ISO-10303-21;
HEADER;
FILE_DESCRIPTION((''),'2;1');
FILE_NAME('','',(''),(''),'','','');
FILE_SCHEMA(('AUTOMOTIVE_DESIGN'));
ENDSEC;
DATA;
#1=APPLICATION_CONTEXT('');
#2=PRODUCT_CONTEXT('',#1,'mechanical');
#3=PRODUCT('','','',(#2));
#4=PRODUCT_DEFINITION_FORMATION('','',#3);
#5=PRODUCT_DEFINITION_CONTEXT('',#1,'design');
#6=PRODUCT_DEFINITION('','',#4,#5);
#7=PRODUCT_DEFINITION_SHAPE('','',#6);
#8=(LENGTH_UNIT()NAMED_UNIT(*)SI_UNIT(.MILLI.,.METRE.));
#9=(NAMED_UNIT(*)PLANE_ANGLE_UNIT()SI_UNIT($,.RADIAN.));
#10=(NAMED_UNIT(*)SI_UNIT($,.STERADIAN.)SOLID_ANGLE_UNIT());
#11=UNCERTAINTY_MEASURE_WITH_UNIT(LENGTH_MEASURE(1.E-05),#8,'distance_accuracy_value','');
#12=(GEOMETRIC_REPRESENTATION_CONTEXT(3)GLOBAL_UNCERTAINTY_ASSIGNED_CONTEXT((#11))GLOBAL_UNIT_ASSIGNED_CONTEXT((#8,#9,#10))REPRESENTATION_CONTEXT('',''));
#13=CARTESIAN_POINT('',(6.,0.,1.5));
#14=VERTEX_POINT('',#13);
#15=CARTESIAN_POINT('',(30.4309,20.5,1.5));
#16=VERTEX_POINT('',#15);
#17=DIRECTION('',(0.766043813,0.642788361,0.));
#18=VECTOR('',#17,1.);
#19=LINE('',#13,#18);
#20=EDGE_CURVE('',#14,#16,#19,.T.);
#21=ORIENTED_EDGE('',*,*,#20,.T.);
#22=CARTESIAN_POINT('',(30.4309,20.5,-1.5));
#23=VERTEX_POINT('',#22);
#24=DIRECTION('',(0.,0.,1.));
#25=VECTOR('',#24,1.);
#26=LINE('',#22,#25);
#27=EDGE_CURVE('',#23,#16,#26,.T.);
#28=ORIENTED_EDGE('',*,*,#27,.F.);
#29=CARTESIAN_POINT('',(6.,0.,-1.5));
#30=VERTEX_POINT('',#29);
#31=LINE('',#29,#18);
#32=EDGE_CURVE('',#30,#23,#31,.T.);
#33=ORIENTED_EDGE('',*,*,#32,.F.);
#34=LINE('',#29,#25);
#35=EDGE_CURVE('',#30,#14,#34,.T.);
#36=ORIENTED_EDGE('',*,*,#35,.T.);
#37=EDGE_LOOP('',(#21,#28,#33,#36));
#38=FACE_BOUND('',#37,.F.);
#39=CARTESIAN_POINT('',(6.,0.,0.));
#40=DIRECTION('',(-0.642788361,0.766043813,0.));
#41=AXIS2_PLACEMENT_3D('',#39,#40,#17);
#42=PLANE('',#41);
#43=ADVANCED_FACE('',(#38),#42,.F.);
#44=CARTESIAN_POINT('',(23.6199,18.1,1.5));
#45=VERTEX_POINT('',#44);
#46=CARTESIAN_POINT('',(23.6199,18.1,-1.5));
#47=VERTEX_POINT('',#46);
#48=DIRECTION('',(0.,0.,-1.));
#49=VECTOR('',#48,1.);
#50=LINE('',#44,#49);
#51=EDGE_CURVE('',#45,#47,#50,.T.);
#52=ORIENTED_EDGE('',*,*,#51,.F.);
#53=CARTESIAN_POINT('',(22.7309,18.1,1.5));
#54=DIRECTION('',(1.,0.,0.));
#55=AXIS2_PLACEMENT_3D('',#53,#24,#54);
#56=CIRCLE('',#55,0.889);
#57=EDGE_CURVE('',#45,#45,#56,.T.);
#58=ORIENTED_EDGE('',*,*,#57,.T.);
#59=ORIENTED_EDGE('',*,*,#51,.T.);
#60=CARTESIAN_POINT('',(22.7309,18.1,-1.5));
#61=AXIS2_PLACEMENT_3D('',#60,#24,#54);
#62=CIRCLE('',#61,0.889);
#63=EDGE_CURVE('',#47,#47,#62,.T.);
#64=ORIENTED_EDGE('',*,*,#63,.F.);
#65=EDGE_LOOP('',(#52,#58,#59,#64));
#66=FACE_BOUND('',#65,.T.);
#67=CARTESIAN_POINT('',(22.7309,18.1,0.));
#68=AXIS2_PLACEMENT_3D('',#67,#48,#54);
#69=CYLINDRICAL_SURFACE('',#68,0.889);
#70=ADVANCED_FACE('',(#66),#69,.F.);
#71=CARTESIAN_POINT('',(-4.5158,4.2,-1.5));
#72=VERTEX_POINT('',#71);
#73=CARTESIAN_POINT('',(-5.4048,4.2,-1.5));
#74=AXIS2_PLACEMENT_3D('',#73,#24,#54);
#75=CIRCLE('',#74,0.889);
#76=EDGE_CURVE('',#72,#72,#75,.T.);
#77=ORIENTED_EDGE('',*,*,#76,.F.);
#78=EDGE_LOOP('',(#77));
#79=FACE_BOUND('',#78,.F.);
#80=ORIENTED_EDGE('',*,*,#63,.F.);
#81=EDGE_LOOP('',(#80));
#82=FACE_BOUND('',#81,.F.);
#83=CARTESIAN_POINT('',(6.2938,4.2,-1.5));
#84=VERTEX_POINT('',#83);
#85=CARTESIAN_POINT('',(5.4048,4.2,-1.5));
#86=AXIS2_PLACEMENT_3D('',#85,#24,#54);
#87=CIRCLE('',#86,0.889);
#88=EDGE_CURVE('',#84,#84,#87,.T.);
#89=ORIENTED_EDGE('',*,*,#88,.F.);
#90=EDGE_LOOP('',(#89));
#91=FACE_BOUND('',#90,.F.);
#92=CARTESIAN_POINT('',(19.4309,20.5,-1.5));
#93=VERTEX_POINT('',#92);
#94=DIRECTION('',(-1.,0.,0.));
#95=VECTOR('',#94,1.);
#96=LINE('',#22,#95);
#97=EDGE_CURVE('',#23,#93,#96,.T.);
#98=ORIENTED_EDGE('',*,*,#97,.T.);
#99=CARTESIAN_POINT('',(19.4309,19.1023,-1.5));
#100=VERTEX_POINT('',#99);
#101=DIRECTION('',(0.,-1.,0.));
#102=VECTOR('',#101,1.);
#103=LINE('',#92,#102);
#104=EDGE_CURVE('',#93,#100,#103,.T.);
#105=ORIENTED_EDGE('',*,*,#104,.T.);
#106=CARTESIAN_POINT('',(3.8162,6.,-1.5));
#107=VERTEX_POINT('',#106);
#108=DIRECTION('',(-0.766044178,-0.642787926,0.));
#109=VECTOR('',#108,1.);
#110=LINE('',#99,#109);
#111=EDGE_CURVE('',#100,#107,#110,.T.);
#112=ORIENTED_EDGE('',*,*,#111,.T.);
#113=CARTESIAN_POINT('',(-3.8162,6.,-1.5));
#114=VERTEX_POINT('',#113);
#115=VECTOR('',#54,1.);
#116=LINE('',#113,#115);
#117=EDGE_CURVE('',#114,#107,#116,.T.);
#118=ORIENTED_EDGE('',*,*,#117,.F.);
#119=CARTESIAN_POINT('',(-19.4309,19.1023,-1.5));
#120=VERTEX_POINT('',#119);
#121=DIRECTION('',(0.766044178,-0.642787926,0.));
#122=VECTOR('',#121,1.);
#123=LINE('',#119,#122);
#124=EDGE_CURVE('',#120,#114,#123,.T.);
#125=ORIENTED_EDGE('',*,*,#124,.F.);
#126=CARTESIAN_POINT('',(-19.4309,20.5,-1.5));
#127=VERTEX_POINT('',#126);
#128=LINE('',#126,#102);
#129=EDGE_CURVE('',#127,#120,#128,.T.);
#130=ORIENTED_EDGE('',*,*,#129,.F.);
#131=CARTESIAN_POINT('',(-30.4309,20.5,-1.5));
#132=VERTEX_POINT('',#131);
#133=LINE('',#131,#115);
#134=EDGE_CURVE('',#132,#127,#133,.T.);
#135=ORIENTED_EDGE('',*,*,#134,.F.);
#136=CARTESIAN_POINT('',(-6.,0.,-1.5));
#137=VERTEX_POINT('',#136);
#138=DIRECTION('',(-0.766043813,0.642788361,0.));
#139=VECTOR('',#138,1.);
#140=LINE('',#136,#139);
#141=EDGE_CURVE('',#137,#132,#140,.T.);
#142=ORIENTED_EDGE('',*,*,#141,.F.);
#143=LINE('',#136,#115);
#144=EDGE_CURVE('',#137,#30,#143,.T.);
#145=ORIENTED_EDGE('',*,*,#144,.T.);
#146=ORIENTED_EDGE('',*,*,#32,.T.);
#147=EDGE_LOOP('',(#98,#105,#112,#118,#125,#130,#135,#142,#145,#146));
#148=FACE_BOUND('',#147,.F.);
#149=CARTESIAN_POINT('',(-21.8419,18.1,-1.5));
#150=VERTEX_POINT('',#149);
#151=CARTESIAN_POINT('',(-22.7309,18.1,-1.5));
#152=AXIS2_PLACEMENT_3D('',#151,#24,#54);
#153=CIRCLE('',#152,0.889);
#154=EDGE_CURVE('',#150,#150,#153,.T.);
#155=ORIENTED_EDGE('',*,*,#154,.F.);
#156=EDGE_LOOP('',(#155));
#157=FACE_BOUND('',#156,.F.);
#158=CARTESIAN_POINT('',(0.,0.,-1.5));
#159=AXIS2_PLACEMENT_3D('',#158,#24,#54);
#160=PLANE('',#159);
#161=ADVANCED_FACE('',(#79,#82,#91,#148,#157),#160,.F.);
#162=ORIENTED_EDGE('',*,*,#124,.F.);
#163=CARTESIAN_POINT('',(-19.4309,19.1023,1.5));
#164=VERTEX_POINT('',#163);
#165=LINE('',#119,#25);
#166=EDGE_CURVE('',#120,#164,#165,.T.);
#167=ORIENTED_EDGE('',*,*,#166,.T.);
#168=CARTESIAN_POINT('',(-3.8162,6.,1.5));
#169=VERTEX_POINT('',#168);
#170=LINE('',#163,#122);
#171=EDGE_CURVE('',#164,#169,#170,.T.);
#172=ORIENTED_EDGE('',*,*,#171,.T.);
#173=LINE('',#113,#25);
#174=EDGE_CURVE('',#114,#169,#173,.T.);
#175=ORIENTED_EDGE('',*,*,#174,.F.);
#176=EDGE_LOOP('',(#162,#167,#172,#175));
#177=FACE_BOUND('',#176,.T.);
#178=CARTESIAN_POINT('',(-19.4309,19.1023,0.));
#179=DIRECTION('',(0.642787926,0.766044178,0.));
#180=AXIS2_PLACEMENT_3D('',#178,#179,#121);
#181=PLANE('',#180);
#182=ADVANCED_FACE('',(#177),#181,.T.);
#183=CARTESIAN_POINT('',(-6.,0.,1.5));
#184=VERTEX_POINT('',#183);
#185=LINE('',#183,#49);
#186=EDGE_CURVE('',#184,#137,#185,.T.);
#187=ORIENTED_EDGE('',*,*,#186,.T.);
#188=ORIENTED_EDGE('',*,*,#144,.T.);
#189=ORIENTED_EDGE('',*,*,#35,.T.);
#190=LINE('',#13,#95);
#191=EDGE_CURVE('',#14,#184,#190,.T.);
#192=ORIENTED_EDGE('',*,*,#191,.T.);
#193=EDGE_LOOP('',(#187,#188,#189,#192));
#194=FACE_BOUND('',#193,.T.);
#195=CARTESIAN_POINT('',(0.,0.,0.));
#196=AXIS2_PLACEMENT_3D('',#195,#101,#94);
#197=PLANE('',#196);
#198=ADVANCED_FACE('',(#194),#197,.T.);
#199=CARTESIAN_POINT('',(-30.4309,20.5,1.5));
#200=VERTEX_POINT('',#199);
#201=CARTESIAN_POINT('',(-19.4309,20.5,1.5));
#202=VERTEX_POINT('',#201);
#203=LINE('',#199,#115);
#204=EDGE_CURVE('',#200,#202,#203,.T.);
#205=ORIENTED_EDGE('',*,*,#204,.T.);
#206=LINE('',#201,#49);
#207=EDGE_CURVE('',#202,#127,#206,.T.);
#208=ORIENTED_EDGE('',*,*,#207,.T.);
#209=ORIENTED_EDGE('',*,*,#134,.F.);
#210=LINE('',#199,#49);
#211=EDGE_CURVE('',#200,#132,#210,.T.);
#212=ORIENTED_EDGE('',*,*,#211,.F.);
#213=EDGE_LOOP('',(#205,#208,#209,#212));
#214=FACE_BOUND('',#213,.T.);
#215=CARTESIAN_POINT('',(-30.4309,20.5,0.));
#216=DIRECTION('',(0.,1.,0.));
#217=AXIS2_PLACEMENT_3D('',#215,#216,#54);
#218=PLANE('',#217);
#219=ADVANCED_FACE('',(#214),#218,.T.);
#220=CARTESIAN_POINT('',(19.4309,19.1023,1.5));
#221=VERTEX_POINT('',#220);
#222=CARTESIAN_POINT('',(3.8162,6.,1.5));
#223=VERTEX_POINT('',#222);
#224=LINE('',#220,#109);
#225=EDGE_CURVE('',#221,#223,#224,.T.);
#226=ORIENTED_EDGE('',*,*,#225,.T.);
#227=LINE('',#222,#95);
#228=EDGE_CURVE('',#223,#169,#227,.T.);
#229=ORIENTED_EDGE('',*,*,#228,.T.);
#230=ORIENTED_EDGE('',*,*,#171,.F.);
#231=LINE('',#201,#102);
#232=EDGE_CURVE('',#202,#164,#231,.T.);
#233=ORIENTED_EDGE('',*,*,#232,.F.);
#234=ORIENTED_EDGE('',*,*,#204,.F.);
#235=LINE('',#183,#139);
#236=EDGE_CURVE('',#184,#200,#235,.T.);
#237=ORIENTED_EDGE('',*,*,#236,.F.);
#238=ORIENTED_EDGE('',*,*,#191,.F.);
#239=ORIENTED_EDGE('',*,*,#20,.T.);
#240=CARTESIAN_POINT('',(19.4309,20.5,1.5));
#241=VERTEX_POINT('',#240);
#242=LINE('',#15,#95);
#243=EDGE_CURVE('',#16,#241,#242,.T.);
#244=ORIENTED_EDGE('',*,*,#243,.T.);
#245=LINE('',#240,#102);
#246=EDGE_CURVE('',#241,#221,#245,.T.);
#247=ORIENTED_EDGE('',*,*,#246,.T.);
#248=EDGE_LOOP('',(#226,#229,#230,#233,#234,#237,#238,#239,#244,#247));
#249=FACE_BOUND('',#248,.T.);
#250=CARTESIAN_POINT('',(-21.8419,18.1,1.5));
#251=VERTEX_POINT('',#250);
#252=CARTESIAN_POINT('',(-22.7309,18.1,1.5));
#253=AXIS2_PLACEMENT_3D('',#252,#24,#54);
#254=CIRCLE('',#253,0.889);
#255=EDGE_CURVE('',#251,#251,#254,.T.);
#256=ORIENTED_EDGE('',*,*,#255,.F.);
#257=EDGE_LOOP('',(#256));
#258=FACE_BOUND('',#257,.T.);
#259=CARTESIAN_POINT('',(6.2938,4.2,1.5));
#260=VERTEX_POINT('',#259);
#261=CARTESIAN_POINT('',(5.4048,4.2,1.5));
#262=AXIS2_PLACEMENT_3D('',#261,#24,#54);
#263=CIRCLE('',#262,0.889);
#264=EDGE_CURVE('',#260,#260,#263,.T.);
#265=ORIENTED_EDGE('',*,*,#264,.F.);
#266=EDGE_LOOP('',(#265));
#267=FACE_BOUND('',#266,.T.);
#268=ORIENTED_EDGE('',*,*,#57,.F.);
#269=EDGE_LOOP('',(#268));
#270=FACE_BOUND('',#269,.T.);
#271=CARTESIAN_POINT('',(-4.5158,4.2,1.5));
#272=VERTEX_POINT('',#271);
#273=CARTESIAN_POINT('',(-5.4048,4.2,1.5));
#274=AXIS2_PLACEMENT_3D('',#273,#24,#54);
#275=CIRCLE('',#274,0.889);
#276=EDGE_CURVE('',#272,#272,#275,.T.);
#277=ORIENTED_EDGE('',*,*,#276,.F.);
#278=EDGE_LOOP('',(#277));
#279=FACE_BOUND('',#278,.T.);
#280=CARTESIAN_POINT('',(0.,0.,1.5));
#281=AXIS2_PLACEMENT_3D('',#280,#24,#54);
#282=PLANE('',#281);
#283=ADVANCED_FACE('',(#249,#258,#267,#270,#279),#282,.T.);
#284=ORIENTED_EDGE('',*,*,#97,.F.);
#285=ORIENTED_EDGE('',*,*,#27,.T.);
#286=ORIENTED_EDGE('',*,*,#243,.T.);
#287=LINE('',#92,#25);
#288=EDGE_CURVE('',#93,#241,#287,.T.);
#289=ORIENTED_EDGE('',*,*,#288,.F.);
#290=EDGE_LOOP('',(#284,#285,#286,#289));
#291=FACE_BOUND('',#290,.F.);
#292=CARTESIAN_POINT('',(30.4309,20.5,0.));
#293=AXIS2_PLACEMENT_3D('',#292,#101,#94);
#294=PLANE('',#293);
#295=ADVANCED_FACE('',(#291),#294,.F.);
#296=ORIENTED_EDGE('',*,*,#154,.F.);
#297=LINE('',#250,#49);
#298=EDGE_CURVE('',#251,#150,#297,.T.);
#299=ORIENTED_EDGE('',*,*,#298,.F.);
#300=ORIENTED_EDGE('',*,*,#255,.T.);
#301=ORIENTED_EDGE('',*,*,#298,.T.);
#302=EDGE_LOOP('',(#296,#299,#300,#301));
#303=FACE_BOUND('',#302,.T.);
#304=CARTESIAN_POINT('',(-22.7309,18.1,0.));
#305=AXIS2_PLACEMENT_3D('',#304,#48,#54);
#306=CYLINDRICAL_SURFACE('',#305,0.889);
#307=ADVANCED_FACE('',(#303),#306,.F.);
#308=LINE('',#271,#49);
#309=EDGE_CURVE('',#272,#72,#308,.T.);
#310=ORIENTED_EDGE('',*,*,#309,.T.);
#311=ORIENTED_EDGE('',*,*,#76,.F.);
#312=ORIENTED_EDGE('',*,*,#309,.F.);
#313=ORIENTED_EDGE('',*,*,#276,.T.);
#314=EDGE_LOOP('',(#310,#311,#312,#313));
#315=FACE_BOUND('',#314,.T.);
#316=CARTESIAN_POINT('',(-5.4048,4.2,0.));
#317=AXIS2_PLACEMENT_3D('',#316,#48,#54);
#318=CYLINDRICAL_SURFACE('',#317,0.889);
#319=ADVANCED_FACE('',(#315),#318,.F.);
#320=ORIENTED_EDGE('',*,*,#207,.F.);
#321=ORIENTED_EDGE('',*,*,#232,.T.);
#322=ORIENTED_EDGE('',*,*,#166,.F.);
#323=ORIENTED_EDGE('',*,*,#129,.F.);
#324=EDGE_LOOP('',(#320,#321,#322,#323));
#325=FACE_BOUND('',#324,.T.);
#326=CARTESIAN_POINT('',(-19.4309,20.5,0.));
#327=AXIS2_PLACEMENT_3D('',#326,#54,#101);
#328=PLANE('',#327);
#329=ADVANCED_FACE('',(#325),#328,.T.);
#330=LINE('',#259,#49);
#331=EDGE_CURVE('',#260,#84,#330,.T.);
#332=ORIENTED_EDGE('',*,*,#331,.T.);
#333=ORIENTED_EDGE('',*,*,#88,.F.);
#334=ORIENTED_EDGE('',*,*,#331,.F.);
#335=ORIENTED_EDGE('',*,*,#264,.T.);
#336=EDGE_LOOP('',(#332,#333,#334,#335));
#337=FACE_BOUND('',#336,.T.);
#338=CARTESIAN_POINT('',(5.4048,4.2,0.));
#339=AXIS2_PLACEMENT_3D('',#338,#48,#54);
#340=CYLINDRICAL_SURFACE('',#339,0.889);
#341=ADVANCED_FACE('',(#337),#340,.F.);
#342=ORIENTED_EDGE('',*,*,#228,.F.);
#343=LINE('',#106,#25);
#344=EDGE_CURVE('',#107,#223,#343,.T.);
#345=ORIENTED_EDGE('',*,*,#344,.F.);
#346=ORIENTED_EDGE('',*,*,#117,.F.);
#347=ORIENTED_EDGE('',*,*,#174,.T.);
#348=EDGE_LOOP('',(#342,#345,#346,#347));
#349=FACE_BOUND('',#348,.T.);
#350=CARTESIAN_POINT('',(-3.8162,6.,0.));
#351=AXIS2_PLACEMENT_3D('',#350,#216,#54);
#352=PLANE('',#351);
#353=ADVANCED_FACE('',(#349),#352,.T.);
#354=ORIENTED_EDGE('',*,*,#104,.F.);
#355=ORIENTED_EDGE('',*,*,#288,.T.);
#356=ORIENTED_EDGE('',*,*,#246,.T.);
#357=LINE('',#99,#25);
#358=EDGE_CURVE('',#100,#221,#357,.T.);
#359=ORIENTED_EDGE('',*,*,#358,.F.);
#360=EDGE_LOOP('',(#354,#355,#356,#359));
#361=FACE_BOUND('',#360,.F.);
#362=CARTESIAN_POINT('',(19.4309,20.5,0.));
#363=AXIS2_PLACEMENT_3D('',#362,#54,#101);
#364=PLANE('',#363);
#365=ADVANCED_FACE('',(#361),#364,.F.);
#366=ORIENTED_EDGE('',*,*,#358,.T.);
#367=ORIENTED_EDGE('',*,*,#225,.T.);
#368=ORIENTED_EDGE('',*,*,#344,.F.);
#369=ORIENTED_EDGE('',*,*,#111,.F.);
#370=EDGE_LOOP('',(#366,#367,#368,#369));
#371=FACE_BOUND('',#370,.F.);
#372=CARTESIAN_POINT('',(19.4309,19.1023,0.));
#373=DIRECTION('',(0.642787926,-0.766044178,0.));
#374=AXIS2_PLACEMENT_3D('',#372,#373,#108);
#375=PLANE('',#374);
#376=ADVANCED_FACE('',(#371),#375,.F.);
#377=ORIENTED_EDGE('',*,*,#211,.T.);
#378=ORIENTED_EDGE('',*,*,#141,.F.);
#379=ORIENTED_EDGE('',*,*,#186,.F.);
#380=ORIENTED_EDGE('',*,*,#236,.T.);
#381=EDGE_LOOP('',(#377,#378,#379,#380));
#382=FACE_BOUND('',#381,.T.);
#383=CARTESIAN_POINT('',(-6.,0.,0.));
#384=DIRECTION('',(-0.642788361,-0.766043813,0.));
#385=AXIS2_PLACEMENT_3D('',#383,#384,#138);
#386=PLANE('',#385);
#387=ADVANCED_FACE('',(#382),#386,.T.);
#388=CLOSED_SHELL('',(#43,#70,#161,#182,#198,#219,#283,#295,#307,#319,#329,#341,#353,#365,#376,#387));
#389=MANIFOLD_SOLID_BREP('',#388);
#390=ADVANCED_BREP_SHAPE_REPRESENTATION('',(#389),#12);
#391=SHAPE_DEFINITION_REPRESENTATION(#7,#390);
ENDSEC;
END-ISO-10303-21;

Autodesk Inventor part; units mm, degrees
ref_plane "YZ Plane" through (0, 0, 0) normal (1, 0, 0) x (0, 1, 0)
ref_plane "XZ Plane" through (0, 0, 0) normal (0, 1, 0) x (-1, 0, 0)
ref_plane "XY Plane" through (0, 0, 0) normal (0, 0, 1) x (1, 0, 0)
sketch "Sketch1" plane through (0, 0, 0) normal (0, 0, 1) x (1, 0, 0)
  line L0 (0, 0) -> (-6, 0)
  line L1 (-6, 0) -> (-30.4309, 20.5)
  line L2 (-30.4309, 20.5) -> (-19.4309, 20.5)
  line L3 (-19.4309, 20.5) -> (-19.4309, 19.1023)
  line L4 (-19.4309, 19.1023) -> (-3.8162, 6)
  line L5 (-3.8162, 6) -> (0, 6)
  line L6 (0, 0) -> (0, 6)
  circle A0 centre (-5.4048, 4.2) radius 0.889
  circle A1 centre (-22.7309, 18.1) radius 0.889
  line L7 (0, 0) -> (6, 0)
  line L8 (6, 0) -> (30.4309, 20.5)
  line L9 (30.4309, 20.5) -> (19.4309, 20.5)
  line L10 (19.4309, 20.5) -> (19.4309, 19.1023)
  line L11 (19.4309, 19.1023) -> (3.8162, 6)
  line L12 (3.8162, 6) -> (0, 6)
  circle A2 centre (5.4048, 4.2) radius 0.889
  circle A3 centre (22.7309, 18.1) radius 0.889
  dimension "d6" = 6
  dimension "d8" = 40
  dimension "d9" = 11
  dimension "d10" = 6
  dimension "d12" = 1.778
  dimension "d15" = 2.4
  dimension "d16" = 3.3
  dimension "d17" = 2.4
  dimension "d18" = 4.2
  dimension "d21" = 6
  dimension "d22" = 20.5
extrude "Extrusion1" add sketch "Sketch1" along normal mid plane 3
properties part number "Leg_part1"
